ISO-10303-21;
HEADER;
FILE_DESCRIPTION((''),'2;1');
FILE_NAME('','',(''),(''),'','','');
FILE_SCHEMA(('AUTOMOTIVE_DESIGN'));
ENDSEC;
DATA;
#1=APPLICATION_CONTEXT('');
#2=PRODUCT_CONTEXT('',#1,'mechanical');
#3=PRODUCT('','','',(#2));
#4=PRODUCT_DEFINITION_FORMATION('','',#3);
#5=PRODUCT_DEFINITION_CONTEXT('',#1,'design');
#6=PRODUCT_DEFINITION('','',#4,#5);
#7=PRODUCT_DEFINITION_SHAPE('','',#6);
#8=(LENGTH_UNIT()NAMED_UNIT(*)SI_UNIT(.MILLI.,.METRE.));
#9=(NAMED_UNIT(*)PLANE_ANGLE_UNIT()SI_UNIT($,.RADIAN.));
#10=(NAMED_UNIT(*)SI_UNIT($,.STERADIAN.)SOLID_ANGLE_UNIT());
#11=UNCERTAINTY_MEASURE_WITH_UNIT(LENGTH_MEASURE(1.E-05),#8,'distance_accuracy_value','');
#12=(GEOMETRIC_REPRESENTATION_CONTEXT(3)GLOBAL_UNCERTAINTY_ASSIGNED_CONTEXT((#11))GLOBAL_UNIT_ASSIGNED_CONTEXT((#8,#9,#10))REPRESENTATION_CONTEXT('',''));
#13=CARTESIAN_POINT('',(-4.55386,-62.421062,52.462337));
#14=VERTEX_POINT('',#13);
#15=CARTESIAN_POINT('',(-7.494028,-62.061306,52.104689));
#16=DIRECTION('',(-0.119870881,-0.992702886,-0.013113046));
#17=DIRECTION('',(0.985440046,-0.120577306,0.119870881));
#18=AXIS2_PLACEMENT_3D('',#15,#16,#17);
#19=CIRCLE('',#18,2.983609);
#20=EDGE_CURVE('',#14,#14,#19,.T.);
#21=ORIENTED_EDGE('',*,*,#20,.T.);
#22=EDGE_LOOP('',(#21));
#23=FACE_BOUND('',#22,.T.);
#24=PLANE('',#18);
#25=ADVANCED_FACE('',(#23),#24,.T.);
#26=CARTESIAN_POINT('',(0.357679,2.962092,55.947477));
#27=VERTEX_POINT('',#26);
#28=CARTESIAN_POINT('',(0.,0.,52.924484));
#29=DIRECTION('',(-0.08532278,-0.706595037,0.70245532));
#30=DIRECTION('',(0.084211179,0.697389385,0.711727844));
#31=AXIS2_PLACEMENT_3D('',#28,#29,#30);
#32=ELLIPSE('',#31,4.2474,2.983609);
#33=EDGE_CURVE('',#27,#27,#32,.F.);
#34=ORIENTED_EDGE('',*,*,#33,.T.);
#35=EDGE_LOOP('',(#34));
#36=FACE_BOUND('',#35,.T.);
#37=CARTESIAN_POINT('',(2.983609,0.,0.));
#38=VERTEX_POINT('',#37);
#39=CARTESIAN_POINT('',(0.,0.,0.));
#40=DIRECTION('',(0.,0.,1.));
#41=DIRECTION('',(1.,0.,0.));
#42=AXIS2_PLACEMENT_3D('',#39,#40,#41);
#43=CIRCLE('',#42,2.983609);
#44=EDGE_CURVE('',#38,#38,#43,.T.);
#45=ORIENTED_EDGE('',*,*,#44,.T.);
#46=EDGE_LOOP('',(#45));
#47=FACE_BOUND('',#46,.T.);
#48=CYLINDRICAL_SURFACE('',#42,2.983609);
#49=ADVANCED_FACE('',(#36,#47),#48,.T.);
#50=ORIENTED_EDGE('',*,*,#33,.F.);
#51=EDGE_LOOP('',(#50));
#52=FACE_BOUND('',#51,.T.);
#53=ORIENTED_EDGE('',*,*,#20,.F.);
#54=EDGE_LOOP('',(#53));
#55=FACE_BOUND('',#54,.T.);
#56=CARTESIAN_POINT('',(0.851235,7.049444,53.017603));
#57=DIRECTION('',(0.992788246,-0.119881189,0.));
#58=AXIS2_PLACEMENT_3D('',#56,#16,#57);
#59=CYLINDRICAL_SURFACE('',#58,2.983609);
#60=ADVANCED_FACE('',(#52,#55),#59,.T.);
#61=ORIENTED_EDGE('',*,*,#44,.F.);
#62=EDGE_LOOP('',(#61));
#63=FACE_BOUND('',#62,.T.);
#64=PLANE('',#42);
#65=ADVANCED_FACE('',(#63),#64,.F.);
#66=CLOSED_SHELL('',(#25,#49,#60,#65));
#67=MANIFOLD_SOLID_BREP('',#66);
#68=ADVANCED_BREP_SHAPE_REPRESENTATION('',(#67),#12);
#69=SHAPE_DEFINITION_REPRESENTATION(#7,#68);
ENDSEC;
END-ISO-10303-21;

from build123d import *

# Parameters (mm, degrees)
SKETCH1_R = 2.983609071


with BuildPart() as part:
    # Sweep3: sweep along a curve in space
    with BuildLine() as sweep3_path:
        Line((0, 0, 0), (0, 0, 52.924484134))
        Line((0, 0, 52.924484134), (-7.494028266, -62.061306362, 52.104689201))
    # Sketch1 → Sweep3 (sweep)
    with BuildSketch(Plane.XY):
        Circle(SKETCH1_R)
    sweep(path=sweep3_path.line, transition=Transition.RIGHT)


solid = part.part
